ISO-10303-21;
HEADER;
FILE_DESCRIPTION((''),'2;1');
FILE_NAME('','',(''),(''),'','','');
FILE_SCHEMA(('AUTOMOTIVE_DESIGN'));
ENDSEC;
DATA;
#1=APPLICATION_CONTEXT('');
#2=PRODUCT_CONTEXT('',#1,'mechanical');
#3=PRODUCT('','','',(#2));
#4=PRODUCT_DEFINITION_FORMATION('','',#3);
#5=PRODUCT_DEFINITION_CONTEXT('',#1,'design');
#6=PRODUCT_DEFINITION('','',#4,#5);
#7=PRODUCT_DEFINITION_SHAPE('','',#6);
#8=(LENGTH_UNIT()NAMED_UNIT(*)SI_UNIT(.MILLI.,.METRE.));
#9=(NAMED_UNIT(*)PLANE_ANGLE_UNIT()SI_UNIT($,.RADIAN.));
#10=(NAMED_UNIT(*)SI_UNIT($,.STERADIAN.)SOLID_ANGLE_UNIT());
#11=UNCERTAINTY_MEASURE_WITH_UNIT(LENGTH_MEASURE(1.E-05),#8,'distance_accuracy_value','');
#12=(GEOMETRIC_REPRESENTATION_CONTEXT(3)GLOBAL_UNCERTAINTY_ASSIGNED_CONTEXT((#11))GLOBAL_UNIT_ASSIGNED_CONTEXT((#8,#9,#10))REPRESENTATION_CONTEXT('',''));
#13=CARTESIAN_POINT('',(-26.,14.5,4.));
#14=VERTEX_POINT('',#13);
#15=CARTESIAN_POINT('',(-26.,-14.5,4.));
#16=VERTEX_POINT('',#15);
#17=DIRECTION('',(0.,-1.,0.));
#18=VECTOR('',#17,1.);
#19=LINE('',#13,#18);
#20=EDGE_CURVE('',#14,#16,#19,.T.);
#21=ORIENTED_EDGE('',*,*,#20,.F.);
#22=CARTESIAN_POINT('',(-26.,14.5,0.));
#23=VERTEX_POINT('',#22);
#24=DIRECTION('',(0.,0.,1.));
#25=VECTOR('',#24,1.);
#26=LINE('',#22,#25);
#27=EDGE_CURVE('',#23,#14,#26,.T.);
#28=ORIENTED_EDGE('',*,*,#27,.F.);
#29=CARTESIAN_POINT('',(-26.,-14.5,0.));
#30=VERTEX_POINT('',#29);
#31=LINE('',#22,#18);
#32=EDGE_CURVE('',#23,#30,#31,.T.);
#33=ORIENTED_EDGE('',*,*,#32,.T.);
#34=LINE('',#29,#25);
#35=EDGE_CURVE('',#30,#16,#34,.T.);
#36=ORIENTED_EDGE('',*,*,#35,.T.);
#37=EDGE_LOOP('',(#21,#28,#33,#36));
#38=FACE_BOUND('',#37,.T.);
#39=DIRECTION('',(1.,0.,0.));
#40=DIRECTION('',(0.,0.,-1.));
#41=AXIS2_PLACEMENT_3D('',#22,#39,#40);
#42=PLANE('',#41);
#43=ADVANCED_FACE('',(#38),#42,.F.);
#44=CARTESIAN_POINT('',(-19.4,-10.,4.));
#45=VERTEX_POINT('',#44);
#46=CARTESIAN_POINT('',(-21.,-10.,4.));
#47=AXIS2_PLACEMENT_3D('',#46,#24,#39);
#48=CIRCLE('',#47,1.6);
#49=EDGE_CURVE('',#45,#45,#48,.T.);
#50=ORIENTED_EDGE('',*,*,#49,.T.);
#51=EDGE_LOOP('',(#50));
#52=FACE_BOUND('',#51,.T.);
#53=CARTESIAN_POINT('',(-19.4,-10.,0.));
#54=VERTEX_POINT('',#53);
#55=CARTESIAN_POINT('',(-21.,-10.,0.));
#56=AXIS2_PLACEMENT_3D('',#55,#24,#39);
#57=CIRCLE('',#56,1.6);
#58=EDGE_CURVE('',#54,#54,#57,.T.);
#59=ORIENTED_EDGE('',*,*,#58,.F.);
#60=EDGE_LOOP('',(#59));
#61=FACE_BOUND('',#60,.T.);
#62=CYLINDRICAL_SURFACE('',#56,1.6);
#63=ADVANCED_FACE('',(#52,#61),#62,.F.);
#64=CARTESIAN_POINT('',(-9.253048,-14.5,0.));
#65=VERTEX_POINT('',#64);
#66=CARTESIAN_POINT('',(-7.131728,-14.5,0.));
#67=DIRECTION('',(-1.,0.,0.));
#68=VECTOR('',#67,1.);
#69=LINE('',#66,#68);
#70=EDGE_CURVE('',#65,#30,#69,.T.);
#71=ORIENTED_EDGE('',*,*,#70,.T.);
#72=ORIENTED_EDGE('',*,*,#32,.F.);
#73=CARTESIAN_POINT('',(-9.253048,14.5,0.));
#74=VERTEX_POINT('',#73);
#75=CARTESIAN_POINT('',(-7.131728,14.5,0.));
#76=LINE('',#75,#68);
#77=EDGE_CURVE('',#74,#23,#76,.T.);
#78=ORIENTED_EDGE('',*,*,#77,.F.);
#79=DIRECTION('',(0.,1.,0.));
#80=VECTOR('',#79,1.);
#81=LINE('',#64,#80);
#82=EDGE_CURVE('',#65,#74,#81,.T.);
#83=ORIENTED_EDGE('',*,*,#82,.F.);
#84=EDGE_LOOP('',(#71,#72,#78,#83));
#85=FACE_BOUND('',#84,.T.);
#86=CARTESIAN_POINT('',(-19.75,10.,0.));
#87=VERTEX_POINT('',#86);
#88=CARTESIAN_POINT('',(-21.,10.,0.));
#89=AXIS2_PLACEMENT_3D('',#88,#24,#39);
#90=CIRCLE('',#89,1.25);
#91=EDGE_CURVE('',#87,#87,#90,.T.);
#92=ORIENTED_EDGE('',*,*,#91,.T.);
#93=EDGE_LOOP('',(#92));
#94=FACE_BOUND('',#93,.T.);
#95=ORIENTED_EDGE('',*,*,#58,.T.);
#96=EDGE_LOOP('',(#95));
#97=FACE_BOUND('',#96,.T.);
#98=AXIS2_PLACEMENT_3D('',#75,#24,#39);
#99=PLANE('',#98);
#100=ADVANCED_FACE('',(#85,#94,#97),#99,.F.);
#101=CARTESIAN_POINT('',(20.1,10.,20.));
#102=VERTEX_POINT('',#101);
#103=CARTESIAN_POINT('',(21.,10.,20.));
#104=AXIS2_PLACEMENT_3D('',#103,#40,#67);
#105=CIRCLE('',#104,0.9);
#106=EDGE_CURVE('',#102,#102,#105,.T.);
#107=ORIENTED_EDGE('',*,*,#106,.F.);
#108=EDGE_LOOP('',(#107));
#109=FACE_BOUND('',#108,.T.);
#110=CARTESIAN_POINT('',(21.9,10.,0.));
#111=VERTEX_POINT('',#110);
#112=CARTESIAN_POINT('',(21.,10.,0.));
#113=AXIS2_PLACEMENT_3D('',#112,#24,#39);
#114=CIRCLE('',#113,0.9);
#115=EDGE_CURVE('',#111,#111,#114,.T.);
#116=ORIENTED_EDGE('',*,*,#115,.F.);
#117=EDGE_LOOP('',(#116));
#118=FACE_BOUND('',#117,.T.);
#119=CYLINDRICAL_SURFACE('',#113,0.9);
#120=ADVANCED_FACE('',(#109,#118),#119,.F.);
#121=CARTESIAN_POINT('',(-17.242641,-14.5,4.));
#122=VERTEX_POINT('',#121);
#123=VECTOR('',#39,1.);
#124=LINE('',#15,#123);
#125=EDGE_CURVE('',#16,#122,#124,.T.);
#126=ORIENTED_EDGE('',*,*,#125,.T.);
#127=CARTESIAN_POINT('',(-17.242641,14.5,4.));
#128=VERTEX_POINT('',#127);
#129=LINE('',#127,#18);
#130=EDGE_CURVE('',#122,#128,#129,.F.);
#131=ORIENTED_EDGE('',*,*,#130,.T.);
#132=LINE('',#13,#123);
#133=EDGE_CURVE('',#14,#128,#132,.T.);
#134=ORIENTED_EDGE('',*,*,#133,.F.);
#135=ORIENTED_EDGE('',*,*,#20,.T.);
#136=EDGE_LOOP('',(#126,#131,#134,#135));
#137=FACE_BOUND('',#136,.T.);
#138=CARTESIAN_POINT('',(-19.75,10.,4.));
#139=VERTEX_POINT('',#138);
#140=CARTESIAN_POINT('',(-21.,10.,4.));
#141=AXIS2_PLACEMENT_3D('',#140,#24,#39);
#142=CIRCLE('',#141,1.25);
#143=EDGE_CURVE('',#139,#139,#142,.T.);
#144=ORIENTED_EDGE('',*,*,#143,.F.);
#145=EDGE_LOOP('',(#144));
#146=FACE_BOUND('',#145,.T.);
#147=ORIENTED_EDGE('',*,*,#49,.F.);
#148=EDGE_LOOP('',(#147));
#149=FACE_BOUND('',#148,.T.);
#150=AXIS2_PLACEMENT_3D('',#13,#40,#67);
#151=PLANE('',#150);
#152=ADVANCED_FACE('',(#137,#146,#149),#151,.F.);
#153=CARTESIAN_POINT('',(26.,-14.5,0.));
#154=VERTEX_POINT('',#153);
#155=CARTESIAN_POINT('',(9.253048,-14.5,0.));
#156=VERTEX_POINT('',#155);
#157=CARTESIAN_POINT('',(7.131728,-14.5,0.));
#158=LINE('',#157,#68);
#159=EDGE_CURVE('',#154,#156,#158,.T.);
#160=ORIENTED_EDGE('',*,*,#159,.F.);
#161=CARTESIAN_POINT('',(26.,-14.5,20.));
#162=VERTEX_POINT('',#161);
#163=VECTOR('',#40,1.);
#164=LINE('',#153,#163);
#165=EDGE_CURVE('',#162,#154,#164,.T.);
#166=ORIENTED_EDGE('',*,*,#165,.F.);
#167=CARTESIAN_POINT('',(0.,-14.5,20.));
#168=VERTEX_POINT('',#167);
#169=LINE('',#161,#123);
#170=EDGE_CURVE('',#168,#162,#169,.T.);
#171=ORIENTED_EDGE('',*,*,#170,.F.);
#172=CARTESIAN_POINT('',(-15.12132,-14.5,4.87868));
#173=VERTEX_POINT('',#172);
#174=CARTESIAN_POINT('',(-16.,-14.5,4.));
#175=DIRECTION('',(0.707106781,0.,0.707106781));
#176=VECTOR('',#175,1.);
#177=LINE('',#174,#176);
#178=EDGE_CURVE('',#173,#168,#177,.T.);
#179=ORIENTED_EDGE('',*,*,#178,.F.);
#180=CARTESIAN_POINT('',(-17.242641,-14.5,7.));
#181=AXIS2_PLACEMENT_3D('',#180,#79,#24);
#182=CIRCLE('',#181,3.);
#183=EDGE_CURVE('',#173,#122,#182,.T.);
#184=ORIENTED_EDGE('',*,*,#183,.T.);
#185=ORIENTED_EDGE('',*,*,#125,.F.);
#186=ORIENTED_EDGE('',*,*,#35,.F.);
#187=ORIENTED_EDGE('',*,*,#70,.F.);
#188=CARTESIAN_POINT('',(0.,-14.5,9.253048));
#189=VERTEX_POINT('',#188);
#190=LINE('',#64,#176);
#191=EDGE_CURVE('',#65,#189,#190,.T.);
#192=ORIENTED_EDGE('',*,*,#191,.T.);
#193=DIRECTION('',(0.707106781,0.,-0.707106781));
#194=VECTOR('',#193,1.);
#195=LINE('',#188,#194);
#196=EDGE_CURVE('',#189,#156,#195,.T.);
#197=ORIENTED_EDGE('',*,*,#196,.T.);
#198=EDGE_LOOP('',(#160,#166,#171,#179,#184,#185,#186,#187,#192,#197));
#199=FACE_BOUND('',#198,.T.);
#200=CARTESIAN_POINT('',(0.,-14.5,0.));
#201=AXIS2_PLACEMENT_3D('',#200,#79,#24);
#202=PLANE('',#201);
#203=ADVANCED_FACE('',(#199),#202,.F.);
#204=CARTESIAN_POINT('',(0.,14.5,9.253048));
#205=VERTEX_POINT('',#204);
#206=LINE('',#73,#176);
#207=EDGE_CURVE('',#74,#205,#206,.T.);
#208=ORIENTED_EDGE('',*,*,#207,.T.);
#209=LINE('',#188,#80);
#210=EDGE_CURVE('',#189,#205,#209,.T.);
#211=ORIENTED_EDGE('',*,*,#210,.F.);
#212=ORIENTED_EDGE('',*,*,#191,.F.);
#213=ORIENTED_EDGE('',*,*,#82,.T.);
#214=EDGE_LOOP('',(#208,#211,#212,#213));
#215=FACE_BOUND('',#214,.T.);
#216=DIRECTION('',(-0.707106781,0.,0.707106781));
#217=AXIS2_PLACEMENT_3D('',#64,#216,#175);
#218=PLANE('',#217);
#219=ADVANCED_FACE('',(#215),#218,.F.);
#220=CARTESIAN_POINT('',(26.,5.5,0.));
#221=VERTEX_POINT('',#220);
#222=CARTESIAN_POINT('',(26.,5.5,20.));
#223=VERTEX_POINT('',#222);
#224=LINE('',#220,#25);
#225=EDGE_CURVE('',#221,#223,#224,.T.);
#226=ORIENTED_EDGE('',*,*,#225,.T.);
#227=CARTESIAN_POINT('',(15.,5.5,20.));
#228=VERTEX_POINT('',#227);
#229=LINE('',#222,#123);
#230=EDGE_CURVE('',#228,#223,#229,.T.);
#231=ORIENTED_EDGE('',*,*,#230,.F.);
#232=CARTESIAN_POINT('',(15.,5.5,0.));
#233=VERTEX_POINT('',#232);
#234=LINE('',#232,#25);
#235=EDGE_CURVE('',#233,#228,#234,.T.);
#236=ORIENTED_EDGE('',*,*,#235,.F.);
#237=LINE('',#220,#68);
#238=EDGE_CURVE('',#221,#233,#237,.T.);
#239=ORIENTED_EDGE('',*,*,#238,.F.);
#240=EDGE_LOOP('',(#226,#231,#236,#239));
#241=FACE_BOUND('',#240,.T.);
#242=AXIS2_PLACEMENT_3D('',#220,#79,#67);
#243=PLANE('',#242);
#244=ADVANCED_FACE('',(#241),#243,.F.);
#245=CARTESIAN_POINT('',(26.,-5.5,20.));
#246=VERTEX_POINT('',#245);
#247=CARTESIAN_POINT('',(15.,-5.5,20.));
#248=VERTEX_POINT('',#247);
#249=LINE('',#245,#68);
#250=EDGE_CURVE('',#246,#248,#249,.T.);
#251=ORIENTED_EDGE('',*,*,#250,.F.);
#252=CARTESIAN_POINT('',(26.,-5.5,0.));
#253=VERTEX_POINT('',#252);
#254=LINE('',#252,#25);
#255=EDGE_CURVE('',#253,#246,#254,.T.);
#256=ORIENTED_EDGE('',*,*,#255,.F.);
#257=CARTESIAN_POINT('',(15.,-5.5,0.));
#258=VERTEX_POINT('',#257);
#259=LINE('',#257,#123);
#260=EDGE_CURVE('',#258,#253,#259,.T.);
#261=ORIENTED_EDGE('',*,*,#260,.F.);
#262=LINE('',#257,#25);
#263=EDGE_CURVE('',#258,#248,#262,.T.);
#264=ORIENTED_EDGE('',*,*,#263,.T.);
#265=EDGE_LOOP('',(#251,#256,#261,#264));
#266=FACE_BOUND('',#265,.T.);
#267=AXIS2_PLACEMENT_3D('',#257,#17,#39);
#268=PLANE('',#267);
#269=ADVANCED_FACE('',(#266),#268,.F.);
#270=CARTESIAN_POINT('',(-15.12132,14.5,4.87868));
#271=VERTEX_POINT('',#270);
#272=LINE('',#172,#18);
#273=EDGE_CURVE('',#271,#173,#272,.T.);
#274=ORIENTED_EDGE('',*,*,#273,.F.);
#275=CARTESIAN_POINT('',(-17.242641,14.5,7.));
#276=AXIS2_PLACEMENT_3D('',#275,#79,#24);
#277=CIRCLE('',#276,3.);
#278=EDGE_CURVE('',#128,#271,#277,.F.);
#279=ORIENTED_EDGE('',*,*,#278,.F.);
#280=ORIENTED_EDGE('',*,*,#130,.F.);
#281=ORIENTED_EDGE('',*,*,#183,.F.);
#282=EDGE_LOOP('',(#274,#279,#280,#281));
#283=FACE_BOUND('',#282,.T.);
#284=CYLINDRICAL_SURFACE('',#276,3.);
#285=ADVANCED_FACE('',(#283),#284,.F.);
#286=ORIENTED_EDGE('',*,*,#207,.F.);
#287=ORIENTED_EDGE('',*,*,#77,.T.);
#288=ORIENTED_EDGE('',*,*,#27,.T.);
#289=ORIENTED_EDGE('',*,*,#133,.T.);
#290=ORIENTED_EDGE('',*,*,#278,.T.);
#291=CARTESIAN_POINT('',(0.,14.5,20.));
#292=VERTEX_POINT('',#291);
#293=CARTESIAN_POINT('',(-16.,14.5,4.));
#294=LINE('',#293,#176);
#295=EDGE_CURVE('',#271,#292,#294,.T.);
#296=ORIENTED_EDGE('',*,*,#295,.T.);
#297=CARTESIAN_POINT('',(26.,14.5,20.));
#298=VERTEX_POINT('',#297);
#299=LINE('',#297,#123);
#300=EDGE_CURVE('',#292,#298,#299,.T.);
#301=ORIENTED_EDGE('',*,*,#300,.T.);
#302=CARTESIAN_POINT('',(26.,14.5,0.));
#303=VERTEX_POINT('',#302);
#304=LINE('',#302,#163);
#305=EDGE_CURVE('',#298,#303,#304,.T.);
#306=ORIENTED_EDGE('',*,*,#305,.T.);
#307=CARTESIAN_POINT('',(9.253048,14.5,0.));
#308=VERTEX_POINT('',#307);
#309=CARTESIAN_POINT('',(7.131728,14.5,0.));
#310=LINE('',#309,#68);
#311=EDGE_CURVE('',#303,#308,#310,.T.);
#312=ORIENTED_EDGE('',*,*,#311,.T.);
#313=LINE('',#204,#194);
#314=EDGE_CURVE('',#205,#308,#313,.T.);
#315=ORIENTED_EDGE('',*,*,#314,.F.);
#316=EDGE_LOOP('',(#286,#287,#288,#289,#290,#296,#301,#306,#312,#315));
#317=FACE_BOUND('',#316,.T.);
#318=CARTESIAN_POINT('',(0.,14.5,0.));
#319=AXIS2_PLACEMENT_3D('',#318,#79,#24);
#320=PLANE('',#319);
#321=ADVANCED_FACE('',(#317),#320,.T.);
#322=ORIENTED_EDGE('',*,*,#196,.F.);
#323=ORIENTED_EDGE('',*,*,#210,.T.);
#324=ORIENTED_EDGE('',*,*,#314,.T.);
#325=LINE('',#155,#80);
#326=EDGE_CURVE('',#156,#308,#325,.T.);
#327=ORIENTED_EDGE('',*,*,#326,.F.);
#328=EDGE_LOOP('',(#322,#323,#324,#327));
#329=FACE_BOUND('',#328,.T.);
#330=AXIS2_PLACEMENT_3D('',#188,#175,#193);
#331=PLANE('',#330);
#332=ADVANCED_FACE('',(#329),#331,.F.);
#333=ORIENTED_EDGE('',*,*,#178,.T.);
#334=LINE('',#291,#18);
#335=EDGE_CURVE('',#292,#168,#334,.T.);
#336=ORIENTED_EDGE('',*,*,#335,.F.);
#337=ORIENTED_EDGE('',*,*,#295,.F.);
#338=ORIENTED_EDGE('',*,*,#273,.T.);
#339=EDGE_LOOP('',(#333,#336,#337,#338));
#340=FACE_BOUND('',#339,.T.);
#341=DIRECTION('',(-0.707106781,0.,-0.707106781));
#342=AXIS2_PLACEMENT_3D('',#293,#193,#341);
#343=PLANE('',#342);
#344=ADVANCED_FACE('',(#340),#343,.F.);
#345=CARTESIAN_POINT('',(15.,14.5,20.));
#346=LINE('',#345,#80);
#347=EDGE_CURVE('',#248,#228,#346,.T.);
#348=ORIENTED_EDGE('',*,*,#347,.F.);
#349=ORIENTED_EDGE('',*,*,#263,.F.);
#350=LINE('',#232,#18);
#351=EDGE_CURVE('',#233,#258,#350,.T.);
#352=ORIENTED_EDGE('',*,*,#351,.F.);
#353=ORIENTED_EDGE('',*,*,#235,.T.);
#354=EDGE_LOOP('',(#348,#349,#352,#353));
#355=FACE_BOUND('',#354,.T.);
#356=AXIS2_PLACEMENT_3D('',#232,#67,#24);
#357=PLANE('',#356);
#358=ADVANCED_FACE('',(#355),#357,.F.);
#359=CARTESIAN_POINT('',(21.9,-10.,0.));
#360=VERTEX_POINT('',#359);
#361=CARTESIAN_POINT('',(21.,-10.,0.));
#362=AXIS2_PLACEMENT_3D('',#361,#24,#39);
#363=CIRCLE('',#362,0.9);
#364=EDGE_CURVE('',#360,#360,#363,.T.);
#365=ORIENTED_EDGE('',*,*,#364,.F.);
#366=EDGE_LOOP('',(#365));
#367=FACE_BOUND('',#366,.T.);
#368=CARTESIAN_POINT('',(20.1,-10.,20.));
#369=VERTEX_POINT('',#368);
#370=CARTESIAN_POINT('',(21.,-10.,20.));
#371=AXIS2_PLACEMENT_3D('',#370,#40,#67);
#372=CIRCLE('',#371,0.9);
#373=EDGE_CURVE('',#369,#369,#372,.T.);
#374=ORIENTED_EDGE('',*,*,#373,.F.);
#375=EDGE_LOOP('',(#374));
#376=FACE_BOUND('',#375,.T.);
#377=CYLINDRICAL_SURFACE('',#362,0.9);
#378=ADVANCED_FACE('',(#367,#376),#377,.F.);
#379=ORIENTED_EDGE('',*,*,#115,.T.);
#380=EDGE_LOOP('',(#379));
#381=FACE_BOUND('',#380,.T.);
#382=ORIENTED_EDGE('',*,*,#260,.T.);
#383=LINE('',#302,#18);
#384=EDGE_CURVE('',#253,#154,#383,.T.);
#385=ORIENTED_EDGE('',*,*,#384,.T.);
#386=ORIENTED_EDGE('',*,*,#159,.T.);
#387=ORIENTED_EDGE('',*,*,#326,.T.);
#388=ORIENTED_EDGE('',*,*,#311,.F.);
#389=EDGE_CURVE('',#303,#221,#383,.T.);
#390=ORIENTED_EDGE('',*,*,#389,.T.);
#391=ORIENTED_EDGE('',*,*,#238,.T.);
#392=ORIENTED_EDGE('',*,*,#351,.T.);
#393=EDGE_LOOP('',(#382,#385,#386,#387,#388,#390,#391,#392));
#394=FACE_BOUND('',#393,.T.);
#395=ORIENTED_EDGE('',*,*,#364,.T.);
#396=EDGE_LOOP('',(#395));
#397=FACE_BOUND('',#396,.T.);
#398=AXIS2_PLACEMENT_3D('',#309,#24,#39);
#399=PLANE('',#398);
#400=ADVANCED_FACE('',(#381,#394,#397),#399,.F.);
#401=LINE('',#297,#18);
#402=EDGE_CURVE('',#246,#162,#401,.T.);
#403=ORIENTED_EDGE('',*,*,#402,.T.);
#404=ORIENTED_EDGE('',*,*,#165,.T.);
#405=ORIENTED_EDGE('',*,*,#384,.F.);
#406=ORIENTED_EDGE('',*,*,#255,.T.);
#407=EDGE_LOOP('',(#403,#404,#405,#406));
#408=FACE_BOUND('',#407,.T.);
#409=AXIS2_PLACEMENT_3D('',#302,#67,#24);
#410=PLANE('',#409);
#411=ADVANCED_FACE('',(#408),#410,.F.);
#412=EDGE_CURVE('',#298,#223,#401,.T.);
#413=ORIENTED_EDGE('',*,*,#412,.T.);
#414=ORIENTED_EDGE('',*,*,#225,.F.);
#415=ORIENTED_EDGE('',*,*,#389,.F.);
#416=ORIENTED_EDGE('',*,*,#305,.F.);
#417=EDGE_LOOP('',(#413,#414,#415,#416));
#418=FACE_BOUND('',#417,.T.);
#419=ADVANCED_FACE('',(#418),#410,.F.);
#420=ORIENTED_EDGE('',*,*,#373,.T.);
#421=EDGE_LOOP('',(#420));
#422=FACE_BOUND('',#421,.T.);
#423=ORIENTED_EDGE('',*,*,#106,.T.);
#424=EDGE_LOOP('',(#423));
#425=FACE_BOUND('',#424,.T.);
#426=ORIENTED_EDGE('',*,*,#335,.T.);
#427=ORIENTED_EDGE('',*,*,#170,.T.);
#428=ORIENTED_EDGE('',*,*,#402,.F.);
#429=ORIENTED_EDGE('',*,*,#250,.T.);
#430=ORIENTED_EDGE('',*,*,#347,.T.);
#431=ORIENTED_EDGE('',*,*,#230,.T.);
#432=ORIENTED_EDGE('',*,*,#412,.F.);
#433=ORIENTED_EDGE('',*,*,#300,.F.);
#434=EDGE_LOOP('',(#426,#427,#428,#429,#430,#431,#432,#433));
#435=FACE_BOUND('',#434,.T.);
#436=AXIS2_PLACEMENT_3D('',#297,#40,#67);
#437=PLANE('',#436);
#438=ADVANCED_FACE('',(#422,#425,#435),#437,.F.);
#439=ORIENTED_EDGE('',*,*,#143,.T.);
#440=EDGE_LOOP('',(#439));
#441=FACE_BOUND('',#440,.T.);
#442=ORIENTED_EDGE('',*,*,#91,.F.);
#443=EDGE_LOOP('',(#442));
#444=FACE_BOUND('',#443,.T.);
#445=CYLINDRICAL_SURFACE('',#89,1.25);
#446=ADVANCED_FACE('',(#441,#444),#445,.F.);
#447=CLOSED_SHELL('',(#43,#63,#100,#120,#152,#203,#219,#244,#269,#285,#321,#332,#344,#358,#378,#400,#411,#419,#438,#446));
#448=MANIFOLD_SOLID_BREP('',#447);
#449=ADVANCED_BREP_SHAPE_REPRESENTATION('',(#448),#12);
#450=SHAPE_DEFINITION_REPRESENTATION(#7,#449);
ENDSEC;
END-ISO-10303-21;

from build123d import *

# Parameters (mm, degrees)
BOSS_EXTRUDE1_DEPTH     = 14.5
CUT_EXTRUDE2_DEPTH      = 36.864327681
CUT_EXTRUDE2_DEPTH_BACK = 36.864327681
SKETCH4_R               = 0.9
SKETCH4_W               = 11
SKETCH4_H               = 11
SKETCH5_R               = 1.25
SKETCH5_R_2             = 1.6
CUT_EXTRUDE3_DEPTH      = 34.797189232
FILLET1_R               = 3
CUT_EXTRUDE5_DEPTH      = 36.864327681
CUT_EXTRUDE5_DEPTH_BACK = 36.864327681


with BuildPart() as part:
    # Sketch1 → Boss-Extrude1 (new, symmetric)
    with BuildSketch(Plane(origin=(0, 0, 0), x_dir=(1, 0, 0), z_dir=(0, 1, 0))):
        Polygon((-7.131727984, 0), (-26, 0), (-26, -4), (-16, -4), (0, -20), (26, -20), (26, 0), (7.131727984, 0), (0, -7.131727984), align=None)
    extrude(amount=BOSS_EXTRUDE1_DEPTH, both=True)

    # Sketch4 → Cut-Extrude2 (cut, two sides: drawn at the far end of the back side and taken through both)
    with BuildSketch(Plane.XY.offset(20).offset(-CUT_EXTRUDE2_DEPTH_BACK)):
        with Locations((21, 10)):
            Circle(SKETCH4_R)
        with Locations((21, -10)):
            Circle(SKETCH4_R)
        with Locations((20.5, 0)):
            Rectangle(SKETCH4_W, SKETCH4_H)
    extrude(amount=CUT_EXTRUDE2_DEPTH + CUT_EXTRUDE2_DEPTH_BACK, mode=Mode.SUBTRACT)

    # Sketch5 → Cut-Extrude3 (cut, through all)
    with BuildSketch(Plane.XY.offset(4)):
        with Locations((-21, 10)):
            Circle(SKETCH5_R)
        with Locations((-21, -10)):
            Circle(SKETCH5_R_2)
    extrude(amount=-CUT_EXTRUDE3_DEPTH, mode=Mode.SUBTRACT)

    # Fillet1
    fillet1_edges = [part.edges().sort_by_distance(p)[0] for p in [
        (-16, 0, 4),
    ]]
    fillet(fillet1_edges, radius=FILLET1_R)

    # Sketch8 → Cut-Extrude5 (cut, two sides: drawn at the far end of the back side and taken through both)
    with BuildSketch(Plane(origin=(0, 0, 0), x_dir=(1, 0, 0), z_dir=(0, 1, 0)).offset(-CUT_EXTRUDE5_DEPTH_BACK)):
        Polygon((9.253048327, 0), (-9.253048327, 0), (0, -9.253048327), align=None)
    extrude(amount=CUT_EXTRUDE5_DEPTH + CUT_EXTRUDE5_DEPTH_BACK, mode=Mode.SUBTRACT)


solid = part.part
